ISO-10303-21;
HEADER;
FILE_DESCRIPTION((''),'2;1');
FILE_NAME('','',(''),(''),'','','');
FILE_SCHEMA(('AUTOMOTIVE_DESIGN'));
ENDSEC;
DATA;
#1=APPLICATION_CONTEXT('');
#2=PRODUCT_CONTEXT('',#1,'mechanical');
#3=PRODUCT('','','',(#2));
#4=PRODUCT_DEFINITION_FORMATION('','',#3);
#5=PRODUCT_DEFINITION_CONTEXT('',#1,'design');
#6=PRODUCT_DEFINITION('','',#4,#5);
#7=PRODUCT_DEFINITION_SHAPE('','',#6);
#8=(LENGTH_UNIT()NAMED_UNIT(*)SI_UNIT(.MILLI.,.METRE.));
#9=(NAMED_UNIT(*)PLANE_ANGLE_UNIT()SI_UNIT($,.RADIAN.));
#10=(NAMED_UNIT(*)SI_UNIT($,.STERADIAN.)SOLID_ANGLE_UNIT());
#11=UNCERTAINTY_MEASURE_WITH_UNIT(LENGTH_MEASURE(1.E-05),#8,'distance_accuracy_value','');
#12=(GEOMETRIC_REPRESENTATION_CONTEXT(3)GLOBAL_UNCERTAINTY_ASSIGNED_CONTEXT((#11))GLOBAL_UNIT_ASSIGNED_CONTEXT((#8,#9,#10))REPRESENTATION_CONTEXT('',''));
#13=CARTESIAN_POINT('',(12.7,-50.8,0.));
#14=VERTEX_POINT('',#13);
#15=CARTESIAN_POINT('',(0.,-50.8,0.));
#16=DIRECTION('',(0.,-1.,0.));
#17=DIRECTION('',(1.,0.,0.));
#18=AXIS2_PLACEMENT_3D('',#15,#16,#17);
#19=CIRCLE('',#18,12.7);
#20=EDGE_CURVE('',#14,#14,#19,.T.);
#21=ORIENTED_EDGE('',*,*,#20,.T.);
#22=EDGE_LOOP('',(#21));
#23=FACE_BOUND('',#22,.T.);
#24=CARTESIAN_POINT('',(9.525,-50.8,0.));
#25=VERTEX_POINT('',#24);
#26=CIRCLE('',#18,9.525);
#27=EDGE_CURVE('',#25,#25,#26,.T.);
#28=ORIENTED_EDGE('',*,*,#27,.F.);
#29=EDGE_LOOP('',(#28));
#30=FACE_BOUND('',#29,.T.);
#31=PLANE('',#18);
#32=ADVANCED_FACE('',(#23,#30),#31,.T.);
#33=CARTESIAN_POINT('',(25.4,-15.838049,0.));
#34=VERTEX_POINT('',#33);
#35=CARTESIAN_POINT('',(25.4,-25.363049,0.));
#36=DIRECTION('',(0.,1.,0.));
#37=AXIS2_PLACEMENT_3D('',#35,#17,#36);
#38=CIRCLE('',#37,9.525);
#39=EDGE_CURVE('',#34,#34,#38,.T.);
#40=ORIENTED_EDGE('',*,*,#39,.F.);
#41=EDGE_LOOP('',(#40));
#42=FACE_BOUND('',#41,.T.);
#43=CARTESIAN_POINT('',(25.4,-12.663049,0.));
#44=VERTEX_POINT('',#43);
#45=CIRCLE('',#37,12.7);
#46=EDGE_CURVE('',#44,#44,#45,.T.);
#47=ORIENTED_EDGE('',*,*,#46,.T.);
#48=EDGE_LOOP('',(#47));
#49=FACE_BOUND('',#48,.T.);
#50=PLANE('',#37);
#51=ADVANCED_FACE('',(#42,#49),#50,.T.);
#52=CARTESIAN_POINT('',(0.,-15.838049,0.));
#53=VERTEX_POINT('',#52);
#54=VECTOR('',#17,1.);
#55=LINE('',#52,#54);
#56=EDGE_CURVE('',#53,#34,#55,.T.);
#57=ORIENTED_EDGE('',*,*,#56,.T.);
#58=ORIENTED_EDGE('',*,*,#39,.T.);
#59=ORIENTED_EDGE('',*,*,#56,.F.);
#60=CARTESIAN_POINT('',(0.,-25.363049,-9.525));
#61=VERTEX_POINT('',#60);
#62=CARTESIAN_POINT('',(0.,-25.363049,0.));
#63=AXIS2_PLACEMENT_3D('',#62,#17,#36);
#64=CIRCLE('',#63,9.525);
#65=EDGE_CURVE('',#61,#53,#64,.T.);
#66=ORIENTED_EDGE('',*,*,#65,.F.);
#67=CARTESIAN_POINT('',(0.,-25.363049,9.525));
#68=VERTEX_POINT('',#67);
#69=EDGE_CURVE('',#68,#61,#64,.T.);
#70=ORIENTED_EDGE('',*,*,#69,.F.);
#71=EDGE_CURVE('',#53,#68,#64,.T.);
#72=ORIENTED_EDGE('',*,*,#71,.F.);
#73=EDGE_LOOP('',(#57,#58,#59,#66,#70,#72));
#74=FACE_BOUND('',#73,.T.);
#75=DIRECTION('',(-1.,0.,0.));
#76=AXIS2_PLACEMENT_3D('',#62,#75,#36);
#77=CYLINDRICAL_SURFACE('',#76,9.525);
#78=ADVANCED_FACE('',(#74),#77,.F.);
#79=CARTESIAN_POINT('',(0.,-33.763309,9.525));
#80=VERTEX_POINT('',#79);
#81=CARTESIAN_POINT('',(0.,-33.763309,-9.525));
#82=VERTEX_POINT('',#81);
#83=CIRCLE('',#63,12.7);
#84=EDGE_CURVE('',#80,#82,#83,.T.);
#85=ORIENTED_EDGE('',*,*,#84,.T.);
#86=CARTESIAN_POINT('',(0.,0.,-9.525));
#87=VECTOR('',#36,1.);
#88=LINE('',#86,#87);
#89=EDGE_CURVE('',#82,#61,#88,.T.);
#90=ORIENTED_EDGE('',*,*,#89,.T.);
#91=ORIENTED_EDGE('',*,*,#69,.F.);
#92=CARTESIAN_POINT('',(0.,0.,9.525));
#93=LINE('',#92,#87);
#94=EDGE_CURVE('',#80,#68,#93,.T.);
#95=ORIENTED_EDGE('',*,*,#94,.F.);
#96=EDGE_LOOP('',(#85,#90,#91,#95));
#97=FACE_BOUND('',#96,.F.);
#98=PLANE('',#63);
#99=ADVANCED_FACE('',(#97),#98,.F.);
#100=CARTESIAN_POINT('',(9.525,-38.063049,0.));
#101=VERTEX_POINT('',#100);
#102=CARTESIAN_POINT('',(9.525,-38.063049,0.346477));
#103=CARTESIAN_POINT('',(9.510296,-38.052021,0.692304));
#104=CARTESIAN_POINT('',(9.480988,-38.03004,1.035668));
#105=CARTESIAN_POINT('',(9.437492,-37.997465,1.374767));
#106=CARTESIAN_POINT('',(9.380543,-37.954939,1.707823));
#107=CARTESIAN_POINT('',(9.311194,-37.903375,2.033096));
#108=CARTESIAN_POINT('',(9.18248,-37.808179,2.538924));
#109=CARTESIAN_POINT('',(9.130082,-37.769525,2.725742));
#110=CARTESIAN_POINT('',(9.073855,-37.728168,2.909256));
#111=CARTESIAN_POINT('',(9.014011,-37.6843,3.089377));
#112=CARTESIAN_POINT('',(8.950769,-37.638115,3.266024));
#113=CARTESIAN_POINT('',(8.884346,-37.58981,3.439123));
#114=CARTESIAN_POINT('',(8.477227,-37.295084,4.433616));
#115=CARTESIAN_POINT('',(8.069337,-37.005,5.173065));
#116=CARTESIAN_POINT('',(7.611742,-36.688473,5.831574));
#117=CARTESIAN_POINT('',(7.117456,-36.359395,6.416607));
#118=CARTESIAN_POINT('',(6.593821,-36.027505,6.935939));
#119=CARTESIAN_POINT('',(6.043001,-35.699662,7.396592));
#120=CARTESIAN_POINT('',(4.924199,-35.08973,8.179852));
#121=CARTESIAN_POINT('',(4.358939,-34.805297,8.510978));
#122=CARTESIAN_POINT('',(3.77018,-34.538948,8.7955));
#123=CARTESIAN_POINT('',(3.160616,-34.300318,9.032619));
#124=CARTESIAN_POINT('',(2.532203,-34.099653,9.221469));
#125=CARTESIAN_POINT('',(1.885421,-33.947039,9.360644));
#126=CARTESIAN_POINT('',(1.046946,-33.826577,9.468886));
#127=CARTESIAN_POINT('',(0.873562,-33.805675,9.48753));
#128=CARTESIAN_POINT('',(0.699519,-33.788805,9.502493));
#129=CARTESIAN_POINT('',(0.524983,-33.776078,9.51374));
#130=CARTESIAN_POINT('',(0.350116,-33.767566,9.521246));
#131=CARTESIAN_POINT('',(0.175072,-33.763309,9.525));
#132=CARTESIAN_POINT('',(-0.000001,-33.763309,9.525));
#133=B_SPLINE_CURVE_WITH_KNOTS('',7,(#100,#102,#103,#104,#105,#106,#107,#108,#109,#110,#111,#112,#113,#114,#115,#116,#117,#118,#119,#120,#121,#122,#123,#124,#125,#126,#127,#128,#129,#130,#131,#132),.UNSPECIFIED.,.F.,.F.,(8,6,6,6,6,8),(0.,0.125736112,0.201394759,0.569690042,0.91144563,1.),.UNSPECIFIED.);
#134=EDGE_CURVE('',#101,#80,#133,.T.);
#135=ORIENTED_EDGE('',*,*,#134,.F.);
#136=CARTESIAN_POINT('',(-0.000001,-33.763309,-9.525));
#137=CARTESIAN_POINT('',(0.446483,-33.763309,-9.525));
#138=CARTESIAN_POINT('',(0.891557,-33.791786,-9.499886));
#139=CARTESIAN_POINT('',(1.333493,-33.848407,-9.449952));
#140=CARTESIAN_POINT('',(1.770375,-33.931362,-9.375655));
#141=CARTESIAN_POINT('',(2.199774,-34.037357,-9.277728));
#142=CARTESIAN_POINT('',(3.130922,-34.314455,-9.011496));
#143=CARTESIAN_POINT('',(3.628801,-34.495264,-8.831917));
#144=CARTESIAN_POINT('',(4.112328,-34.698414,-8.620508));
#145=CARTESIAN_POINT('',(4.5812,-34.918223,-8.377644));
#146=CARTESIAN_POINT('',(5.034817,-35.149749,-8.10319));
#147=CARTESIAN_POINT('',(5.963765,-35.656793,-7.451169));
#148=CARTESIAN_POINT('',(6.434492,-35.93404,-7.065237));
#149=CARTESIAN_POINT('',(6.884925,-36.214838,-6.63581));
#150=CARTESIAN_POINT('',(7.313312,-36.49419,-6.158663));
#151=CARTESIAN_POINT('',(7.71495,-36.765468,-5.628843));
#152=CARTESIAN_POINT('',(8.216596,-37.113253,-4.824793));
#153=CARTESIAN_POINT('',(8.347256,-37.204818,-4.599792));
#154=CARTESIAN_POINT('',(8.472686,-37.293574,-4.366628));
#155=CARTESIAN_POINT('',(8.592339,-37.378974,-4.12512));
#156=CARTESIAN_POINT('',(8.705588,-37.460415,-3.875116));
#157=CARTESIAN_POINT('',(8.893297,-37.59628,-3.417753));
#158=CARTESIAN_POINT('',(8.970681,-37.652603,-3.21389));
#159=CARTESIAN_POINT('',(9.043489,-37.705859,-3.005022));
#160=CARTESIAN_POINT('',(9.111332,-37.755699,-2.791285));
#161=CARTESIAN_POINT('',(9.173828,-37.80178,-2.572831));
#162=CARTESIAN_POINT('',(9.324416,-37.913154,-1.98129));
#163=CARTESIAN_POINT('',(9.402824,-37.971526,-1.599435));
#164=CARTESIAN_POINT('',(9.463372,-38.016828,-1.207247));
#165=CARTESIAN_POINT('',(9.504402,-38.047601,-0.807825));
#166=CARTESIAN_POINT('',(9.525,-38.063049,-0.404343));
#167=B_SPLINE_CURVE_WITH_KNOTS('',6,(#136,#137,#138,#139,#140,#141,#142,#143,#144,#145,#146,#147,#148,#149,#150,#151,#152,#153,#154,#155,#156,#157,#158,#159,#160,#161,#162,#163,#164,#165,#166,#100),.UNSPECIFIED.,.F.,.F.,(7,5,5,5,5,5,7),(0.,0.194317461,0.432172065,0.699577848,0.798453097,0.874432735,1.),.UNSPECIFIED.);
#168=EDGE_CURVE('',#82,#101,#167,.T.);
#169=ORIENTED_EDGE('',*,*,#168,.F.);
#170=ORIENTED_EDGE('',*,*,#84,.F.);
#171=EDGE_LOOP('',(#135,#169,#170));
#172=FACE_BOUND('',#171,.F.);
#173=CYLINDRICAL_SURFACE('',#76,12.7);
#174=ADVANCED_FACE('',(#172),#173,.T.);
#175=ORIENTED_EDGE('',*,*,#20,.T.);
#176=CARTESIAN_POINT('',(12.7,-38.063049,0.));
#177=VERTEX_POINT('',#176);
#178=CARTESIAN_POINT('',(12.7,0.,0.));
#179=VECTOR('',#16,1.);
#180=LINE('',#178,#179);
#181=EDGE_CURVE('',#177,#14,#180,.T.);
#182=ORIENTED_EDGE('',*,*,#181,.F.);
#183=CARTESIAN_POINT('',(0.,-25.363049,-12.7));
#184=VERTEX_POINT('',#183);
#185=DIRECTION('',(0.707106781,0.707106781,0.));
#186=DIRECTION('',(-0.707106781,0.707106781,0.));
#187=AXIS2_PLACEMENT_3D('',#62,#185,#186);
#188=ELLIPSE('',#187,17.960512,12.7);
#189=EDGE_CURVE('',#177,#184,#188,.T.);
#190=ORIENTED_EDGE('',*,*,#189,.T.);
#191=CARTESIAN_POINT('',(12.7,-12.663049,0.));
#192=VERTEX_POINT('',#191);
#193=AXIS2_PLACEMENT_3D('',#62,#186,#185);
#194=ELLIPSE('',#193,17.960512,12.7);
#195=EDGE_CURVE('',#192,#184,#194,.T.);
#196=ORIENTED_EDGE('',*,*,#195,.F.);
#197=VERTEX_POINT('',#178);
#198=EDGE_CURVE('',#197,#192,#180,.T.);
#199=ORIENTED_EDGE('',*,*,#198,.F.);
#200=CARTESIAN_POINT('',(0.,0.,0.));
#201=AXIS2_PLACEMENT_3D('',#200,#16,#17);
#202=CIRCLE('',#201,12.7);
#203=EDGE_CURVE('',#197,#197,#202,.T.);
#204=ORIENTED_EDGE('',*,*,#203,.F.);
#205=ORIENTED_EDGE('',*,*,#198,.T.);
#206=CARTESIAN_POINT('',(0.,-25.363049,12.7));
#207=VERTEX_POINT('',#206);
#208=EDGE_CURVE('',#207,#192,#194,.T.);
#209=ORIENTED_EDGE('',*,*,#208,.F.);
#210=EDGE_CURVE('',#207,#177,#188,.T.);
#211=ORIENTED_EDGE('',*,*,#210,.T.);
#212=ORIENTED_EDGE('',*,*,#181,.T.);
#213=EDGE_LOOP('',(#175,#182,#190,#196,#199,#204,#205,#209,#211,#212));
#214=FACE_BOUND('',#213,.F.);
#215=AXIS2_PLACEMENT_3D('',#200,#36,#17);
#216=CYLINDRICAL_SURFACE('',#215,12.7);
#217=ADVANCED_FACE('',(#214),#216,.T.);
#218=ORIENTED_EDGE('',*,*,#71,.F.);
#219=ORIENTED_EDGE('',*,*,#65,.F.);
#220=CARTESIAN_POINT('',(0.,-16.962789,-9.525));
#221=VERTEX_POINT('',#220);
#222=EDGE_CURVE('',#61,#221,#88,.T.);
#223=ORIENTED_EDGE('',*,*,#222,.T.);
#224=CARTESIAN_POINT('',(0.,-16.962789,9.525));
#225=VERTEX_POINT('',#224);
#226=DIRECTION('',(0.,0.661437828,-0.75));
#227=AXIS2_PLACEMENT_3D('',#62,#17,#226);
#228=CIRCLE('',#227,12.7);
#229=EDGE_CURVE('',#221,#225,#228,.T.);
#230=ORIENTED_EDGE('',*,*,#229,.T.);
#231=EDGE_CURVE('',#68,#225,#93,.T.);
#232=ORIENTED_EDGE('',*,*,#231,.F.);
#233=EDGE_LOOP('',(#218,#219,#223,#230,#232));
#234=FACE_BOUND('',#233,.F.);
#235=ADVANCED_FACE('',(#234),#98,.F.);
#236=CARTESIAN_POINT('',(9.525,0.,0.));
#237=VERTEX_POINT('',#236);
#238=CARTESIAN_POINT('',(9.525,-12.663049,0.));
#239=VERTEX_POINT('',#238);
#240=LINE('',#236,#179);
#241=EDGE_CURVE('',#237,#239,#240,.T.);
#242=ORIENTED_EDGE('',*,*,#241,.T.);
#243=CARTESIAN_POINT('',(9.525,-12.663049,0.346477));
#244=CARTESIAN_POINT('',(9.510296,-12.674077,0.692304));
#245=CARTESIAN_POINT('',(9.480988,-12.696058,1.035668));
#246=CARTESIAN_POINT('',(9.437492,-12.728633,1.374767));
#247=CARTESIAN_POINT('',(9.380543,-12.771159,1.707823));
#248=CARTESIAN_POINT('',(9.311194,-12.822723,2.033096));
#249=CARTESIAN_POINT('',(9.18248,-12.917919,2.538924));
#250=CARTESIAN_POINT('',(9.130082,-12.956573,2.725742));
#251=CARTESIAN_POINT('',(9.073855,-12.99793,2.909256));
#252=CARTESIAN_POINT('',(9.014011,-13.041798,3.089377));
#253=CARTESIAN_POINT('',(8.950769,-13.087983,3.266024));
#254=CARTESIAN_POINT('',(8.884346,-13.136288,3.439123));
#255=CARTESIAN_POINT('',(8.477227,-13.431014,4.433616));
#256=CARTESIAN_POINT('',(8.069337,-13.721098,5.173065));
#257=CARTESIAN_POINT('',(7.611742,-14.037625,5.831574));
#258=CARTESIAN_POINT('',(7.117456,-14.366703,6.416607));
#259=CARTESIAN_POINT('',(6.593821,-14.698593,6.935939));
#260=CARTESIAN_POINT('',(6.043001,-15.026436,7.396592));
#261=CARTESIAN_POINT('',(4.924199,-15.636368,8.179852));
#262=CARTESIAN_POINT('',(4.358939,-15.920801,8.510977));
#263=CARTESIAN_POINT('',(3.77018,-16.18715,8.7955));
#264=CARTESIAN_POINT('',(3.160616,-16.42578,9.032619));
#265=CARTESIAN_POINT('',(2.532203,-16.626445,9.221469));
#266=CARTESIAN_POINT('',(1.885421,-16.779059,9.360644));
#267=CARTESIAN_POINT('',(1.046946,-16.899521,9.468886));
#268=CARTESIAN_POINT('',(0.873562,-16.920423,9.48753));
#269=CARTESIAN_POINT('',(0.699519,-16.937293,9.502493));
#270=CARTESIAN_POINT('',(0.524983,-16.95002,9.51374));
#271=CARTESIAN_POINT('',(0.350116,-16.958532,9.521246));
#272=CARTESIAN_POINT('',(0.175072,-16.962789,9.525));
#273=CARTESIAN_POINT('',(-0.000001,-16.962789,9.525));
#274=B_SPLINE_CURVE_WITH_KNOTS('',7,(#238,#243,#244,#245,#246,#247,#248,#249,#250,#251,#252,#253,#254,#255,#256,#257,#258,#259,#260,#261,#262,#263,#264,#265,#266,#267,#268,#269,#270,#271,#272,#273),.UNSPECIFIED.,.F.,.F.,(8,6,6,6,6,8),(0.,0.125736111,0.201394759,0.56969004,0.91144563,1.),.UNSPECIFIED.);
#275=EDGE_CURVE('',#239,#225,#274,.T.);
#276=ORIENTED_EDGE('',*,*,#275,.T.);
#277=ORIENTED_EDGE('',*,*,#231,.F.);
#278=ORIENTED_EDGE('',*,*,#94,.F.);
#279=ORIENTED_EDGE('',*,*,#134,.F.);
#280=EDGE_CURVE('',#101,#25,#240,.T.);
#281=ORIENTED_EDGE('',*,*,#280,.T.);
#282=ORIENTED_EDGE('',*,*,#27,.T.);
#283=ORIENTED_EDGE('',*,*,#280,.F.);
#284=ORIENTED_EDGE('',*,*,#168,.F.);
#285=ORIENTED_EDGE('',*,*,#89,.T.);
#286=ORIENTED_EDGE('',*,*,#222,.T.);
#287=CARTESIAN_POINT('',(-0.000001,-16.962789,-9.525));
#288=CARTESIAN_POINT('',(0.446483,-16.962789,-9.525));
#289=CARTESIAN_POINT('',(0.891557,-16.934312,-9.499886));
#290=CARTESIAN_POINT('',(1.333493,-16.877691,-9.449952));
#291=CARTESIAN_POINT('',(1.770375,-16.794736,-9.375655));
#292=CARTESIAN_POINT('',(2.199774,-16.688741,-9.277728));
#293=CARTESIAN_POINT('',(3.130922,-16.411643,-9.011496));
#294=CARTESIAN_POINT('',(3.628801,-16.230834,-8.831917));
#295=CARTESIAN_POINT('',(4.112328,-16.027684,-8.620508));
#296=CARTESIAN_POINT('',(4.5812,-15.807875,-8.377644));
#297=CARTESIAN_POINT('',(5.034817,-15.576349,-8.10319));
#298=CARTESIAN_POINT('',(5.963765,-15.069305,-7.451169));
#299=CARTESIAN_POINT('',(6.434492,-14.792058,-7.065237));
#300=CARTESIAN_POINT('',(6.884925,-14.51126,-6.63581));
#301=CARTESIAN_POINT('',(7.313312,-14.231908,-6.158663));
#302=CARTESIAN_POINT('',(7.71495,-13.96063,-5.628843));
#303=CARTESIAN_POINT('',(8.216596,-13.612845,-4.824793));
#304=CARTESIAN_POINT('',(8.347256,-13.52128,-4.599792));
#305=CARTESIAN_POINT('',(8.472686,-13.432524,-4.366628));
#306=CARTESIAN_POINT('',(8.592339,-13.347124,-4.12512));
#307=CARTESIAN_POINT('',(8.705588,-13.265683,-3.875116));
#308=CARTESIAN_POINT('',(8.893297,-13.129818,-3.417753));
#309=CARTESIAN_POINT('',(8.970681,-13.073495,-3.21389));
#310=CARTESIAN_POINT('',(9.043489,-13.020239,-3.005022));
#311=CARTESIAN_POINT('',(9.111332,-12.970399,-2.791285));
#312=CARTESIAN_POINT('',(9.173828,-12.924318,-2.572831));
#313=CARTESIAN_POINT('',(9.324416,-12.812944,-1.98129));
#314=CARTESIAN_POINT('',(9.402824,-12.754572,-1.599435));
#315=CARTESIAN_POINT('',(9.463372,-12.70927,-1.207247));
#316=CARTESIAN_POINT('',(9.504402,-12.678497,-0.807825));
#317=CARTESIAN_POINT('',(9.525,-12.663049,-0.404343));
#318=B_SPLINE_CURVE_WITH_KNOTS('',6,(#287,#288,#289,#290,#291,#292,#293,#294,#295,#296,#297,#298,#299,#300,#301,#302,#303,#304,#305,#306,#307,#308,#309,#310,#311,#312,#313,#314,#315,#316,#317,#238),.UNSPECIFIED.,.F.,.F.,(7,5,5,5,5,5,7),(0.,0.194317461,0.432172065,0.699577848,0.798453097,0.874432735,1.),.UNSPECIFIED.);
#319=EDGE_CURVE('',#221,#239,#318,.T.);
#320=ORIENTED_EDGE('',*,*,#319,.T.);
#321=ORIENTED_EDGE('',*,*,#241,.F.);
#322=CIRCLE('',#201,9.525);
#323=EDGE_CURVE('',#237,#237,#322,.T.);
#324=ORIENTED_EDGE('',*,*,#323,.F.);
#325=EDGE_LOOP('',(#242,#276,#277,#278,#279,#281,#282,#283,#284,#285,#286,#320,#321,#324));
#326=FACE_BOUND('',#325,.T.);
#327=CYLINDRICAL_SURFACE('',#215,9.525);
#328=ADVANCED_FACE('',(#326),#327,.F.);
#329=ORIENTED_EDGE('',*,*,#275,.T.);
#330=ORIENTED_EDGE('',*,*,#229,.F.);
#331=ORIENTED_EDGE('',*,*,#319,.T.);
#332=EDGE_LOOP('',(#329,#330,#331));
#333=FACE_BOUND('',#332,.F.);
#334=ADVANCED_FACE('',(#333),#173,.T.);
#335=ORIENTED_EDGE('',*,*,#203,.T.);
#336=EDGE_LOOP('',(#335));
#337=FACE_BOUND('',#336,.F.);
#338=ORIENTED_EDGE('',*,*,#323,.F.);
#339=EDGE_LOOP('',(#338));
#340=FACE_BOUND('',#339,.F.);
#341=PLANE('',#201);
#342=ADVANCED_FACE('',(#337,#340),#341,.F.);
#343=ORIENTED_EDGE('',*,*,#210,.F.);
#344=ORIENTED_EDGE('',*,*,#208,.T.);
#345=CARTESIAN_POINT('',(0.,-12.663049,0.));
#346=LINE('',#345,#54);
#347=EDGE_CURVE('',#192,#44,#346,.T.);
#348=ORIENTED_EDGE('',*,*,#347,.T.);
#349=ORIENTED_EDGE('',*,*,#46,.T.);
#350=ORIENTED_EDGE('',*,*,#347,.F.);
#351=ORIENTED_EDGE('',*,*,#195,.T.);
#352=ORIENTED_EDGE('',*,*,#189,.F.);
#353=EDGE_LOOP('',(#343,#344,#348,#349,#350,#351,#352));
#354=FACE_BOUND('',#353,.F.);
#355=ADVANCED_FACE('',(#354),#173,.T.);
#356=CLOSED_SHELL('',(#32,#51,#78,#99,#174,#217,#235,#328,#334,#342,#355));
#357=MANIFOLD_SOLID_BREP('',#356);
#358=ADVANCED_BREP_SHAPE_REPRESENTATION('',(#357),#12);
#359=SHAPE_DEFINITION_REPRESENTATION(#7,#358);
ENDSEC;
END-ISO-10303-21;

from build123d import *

# Parameters (mm, degrees)
F0_R     = 12.7
F0_R_2   = 9.525
F1_DEPTH = 50.8
F2_R     = 12.7
F4_DEPTH = 25.4
F3_R     = 9.525
F5_DEPTH = 25.4


with BuildPart() as f1:
    # F0 (on Front) → F1 (new body)
    with BuildSketch(Plane.XZ):
        Circle(F0_R)
        Circle(F0_R_2, mode=Mode.SUBTRACT)
    extrude(amount=F1_DEPTH)

    # F2 (on Right) → F4 (join)
    with BuildSketch(Plane.YZ):
        with Locations((-25.363049, 0)):
            Circle(F2_R)
    extrude(amount=F4_DEPTH)

    # F3 (on Right) → F5 (cut)
    with BuildSketch(Plane.YZ):
        with Locations((-25.363049, 0)):
            Circle(F3_R)
    extrude(amount=F5_DEPTH, mode=Mode.SUBTRACT)


solid = f1.part
